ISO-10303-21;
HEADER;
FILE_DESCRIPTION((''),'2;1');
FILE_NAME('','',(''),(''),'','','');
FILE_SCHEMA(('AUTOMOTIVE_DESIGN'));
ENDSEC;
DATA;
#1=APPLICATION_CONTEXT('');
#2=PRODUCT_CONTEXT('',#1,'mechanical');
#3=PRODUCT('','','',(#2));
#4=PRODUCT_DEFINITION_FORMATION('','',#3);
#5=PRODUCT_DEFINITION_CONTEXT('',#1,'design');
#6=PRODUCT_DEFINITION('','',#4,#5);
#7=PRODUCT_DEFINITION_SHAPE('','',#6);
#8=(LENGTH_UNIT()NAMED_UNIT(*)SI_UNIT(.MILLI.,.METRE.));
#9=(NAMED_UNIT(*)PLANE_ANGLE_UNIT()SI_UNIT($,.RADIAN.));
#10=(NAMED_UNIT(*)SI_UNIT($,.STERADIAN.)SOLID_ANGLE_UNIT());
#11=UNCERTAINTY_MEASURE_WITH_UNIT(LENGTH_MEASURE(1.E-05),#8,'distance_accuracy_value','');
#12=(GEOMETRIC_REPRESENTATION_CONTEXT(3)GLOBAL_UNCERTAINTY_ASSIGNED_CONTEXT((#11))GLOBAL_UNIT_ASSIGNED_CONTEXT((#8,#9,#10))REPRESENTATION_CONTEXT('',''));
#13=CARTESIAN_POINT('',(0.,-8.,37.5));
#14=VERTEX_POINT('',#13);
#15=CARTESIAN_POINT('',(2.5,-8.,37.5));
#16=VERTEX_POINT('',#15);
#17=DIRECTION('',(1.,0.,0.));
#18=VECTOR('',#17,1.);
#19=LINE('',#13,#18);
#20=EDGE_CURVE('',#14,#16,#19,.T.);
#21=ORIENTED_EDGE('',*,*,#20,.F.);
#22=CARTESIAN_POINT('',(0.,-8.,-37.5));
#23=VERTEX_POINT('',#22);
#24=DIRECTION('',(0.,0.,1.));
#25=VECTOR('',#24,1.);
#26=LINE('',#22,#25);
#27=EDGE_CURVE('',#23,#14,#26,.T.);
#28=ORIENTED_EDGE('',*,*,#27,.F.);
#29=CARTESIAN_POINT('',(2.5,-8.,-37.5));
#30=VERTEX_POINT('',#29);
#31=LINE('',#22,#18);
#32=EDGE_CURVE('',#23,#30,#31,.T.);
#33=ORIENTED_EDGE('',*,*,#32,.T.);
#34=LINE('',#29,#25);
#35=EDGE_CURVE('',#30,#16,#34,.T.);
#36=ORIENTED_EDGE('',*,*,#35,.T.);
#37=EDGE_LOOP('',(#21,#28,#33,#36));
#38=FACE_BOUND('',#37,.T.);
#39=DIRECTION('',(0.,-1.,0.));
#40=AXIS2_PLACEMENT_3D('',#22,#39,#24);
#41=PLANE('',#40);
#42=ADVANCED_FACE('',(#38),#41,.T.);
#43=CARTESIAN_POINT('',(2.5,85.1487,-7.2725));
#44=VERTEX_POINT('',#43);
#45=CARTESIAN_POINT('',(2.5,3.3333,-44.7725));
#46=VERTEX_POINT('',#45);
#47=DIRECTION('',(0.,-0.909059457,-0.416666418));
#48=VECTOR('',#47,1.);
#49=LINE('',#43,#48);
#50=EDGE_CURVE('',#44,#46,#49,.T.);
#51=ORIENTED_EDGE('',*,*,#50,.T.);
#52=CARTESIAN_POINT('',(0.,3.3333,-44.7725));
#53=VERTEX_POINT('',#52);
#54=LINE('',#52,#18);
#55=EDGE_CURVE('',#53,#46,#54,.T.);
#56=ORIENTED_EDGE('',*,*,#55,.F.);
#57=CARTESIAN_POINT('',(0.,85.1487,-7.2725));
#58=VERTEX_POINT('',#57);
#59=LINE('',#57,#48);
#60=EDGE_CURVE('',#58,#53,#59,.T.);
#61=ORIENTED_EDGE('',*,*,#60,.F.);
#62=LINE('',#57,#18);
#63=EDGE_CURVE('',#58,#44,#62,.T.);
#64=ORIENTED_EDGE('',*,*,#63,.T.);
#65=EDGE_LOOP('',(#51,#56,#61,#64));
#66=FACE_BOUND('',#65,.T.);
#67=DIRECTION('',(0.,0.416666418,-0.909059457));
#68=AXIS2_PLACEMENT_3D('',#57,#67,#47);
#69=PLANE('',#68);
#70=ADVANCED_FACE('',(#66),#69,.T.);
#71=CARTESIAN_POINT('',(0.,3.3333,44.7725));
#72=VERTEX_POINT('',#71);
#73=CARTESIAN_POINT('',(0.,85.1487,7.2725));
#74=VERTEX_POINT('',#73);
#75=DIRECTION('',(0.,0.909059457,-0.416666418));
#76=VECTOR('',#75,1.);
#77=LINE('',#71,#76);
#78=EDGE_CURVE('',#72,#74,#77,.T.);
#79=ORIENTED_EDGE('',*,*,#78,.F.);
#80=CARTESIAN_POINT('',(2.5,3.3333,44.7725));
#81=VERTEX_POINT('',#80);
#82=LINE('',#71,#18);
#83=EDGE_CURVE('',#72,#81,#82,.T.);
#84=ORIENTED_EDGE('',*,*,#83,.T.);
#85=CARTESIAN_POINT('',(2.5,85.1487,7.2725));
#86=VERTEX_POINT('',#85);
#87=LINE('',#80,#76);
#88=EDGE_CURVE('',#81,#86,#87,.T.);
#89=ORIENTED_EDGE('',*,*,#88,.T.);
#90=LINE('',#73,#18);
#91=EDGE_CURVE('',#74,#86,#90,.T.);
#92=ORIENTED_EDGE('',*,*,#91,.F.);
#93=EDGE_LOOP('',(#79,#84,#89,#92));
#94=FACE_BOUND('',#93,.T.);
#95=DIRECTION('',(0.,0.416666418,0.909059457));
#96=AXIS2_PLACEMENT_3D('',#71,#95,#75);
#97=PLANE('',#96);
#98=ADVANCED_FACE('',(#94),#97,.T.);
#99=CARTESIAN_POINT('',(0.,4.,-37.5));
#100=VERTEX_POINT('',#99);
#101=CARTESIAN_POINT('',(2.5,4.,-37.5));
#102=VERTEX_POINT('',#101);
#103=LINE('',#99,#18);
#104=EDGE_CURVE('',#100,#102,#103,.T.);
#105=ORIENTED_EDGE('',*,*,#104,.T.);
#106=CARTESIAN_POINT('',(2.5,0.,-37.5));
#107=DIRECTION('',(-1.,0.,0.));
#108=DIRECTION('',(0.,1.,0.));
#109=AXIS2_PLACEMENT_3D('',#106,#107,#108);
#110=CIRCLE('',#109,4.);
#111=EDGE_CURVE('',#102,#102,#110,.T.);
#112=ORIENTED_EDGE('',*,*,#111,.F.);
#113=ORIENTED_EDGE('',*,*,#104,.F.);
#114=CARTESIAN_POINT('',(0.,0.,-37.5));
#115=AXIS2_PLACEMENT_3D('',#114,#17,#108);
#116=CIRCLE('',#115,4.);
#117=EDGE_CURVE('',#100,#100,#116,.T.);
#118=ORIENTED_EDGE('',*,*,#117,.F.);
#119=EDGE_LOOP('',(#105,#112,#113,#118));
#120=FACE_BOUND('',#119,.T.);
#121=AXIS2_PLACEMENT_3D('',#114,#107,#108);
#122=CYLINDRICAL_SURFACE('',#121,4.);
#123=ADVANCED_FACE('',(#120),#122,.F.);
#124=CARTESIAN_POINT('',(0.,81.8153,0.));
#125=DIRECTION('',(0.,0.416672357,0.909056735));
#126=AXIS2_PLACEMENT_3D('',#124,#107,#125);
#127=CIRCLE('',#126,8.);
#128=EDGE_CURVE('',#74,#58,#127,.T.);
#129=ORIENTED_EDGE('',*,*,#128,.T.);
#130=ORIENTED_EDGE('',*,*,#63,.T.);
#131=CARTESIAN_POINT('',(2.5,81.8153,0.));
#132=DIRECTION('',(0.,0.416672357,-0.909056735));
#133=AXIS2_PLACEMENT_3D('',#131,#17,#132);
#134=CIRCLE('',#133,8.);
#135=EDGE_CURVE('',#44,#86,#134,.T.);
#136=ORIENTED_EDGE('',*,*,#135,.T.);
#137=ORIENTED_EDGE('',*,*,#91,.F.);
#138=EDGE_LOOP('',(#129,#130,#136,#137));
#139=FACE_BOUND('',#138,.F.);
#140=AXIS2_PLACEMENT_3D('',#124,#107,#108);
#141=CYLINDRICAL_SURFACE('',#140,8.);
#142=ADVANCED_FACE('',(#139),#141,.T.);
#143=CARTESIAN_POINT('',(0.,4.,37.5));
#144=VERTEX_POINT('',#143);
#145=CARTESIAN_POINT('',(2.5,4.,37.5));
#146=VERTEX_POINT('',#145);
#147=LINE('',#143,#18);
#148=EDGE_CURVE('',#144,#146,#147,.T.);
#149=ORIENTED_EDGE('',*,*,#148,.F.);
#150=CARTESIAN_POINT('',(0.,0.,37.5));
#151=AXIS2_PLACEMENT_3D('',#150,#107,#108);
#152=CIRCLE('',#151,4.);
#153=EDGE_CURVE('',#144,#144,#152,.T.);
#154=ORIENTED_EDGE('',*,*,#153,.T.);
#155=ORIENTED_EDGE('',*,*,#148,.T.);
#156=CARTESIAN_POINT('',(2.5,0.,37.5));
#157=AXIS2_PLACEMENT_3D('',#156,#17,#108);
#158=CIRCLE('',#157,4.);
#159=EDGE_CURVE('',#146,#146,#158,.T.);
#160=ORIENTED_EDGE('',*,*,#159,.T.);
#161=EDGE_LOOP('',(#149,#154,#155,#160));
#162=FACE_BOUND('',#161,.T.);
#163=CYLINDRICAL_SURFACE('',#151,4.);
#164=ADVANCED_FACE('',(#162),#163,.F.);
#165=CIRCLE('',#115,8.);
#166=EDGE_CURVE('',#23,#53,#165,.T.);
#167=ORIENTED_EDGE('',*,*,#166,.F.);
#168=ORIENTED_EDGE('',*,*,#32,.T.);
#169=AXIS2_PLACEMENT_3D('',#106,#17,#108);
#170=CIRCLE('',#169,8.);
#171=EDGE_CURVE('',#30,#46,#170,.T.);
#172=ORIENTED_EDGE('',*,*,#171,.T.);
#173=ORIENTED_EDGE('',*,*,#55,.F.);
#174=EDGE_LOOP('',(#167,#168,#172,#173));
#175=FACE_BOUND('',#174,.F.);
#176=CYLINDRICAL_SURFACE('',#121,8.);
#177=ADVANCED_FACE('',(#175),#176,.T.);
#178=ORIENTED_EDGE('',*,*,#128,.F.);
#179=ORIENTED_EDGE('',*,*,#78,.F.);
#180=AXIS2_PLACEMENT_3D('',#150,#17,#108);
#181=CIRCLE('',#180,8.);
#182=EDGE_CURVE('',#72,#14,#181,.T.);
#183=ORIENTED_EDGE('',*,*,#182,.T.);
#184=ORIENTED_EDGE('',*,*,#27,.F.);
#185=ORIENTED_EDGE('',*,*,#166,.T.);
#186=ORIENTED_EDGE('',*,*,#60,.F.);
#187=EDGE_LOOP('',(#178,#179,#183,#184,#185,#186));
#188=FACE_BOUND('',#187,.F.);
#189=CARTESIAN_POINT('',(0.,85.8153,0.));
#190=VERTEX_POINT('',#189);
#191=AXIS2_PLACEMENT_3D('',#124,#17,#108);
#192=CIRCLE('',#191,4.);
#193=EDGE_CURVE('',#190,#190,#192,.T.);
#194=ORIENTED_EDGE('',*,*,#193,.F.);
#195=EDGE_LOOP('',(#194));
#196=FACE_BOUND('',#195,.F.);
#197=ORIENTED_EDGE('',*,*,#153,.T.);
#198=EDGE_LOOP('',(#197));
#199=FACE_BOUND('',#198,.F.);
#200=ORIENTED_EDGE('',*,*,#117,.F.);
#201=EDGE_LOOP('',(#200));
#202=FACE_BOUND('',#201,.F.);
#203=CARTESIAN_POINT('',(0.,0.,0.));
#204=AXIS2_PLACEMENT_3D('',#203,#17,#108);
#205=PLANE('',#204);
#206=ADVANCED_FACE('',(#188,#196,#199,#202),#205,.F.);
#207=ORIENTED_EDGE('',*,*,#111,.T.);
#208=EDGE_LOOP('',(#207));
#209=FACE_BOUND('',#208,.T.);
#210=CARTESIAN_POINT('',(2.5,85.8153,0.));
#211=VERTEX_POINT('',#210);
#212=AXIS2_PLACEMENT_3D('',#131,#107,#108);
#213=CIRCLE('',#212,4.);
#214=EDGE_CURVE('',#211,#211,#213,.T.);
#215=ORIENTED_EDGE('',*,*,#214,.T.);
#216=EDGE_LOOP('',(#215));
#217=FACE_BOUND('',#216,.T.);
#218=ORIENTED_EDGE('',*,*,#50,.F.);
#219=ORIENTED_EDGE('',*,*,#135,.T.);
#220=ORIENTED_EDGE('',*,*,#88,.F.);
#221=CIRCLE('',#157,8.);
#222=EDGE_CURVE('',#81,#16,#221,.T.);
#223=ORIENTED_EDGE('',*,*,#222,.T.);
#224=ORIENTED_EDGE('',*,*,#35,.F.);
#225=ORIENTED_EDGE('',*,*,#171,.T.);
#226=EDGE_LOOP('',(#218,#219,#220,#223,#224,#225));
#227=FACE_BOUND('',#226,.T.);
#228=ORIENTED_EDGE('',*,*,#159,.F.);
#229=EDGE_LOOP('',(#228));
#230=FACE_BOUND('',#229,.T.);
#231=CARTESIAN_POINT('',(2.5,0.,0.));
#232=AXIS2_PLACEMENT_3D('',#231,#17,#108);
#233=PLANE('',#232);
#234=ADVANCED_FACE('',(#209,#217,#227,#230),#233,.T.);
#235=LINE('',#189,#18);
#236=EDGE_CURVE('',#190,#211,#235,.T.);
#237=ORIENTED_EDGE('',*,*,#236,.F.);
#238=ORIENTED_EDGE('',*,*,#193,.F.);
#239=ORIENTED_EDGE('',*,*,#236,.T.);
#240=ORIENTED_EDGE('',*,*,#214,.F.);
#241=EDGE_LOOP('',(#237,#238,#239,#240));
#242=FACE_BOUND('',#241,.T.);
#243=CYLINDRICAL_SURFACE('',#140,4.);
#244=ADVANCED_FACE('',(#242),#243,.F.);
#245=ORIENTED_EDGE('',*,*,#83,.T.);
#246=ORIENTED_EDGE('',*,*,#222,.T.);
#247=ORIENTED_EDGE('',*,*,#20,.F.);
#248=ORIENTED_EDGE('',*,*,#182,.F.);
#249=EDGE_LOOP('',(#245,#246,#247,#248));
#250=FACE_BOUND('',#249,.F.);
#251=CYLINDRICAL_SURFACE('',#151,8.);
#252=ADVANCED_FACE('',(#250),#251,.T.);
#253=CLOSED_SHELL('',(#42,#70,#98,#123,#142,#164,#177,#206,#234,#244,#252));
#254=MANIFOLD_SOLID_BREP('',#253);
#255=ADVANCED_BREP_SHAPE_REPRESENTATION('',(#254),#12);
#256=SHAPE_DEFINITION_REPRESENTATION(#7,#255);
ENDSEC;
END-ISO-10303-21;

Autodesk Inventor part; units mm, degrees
ref_plane "YZ Plane" through (0, 0, 0) normal (1, 0, 0) x (0, 1, 0)
ref_plane "XZ Plane" through (0, 0, 0) normal (0, 1, 0) x (-1, 0, 0)
ref_plane "XY Plane" through (0, 0, 0) normal (0, 0, 1) x (1, 0, 0)
sketch "Sketch1" plane through (0, 0, 0) normal (1, 0, 0) x (0, 1, 0)
  line L0 (0, 37.5) -> (0, -37.5)
  line L1 (0, -37.5) -> (81.8153, 0)
  line L2 (81.8153, 0) -> (0, 37.5)
  circle A0 centre (81.8153, 0) radius 4
  circle A1 centre (81.8153, 0) radius 8
  circle A2 centre (0, -37.5) radius 4
  circle A3 centre (0, -37.5) radius 8
  circle A4 centre (0, 37.5) radius 4
  circle A5 centre (0, 37.5) radius 8
  line L3 (3.3333, 44.7725) -> (85.1487, 7.2725)
  line L4 (85.1487, -7.2725) -> (3.3333, -44.7725)
  line L5 (-8, -37.5) -> (-8, 37.5)
  point P0 (0, 0)
  dimension "d0" = 75
  dimension "d1" = 90
  dimension "d2" = 8
  dimension "d3" = 16
  dimension "d4" = 8
  dimension "d5" = 16
  dimension "d6" = 8
  dimension "d7" = 16
extrude "Extrusion1" add sketch "Sketch1" along normal blind 2.5 contours A4 L2 A5 L0 | L0 A5 L2 A4 | A5 L2 A1 L1 A3 L0 | L0 A3 L5 A5 | A5 L3 A1 L2 | A3 L1 A2 L0 | L0 A2 L1 A3 | A1 L1 A0 L2 | L2 A0 L1 A1 | L1 A1 L4 A3
properties part number "RockerRear"
